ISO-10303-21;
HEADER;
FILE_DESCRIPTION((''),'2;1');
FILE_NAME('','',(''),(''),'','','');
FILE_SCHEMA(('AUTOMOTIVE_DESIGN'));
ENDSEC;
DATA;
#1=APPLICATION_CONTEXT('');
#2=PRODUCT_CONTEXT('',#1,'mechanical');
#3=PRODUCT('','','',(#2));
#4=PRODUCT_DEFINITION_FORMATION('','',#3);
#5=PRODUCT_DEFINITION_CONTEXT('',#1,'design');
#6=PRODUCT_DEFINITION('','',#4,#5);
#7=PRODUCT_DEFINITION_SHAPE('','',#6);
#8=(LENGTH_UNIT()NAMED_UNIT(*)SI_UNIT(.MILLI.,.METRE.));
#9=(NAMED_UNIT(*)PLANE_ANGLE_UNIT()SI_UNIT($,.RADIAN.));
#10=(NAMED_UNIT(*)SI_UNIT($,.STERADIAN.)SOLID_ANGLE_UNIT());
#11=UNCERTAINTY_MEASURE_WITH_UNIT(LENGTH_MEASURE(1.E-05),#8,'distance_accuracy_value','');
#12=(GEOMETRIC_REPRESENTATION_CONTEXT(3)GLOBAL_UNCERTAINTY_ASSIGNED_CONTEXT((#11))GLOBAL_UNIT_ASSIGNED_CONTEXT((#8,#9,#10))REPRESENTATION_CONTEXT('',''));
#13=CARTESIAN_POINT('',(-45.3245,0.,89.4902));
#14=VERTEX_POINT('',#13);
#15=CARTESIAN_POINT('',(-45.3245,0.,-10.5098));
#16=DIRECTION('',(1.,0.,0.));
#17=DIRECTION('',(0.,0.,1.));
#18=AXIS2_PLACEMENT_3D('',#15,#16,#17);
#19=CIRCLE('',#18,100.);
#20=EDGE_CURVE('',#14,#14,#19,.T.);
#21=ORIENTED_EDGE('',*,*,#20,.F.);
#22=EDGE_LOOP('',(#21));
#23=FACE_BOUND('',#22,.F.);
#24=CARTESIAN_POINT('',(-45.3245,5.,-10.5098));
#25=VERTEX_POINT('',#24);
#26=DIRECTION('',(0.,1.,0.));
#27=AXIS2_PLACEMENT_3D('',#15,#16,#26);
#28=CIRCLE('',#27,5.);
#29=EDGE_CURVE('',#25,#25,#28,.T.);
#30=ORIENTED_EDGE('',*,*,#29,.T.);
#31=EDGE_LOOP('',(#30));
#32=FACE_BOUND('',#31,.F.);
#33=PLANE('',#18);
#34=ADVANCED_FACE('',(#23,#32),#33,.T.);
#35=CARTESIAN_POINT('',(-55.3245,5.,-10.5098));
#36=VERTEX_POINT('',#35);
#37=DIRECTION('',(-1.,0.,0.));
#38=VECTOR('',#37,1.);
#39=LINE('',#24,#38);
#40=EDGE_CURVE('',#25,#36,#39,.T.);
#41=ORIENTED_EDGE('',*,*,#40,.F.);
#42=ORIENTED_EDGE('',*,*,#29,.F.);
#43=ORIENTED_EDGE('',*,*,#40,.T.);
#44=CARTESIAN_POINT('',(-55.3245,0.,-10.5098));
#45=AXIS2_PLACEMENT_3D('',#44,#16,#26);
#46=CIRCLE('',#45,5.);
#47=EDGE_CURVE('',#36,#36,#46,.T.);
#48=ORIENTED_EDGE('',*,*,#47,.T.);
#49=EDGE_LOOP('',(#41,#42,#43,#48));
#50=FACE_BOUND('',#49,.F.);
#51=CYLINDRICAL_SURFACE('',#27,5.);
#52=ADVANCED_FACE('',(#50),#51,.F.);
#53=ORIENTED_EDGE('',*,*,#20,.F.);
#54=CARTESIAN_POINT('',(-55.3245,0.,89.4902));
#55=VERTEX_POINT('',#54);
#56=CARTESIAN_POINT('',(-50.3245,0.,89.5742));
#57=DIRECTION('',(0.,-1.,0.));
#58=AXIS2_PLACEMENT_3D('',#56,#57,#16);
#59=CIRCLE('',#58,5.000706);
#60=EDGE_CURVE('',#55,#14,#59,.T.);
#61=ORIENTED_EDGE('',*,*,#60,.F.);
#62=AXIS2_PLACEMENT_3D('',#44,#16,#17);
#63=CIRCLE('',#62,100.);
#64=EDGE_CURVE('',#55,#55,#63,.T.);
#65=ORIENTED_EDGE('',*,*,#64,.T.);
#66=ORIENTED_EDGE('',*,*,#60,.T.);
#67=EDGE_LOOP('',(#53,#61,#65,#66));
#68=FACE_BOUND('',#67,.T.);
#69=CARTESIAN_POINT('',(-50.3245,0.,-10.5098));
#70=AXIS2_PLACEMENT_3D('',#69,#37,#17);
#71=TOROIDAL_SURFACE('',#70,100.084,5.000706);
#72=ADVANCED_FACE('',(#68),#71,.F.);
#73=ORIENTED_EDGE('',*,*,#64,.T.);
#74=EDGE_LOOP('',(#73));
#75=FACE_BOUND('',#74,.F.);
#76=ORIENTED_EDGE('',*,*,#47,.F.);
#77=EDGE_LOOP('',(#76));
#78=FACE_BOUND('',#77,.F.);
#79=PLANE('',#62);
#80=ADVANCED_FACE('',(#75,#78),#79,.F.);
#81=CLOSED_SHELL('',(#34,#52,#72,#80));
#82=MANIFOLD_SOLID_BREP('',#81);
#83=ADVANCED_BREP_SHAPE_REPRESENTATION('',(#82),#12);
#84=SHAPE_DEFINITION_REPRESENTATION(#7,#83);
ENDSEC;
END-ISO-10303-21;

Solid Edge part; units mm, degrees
sketch "Sketch1" plane through (0, 0, 0) normal (0, -1, 0) x (1, 0, 0)
  line L0 (-45.3245, -10.5098) -> (-45.3245, 89.4902)
  arc A0 (-55.3245, 89.4902) -> (-45.3245, 89.4902) centre (-50.3245, 89.5742) ccw
  line L1 (-55.3245, 89.4902) -> (-55.3245, -10.5098)
  dimension "D1" = 100
revolve "RevolvedProtrusion1" add sketch "Sketch1" angle 360 about axis through (-55.3245, 0, -10.5098) along (1, 0, 0)
sketch "Sketch2" plane through (-45.3245, 0, 14.4902) normal (1, 0, 0) x (0, 1, 0)
  circle A0 centre (0, -25) radius 5
extrude "Cutout1" cut sketch "Sketch2" against normal through all
